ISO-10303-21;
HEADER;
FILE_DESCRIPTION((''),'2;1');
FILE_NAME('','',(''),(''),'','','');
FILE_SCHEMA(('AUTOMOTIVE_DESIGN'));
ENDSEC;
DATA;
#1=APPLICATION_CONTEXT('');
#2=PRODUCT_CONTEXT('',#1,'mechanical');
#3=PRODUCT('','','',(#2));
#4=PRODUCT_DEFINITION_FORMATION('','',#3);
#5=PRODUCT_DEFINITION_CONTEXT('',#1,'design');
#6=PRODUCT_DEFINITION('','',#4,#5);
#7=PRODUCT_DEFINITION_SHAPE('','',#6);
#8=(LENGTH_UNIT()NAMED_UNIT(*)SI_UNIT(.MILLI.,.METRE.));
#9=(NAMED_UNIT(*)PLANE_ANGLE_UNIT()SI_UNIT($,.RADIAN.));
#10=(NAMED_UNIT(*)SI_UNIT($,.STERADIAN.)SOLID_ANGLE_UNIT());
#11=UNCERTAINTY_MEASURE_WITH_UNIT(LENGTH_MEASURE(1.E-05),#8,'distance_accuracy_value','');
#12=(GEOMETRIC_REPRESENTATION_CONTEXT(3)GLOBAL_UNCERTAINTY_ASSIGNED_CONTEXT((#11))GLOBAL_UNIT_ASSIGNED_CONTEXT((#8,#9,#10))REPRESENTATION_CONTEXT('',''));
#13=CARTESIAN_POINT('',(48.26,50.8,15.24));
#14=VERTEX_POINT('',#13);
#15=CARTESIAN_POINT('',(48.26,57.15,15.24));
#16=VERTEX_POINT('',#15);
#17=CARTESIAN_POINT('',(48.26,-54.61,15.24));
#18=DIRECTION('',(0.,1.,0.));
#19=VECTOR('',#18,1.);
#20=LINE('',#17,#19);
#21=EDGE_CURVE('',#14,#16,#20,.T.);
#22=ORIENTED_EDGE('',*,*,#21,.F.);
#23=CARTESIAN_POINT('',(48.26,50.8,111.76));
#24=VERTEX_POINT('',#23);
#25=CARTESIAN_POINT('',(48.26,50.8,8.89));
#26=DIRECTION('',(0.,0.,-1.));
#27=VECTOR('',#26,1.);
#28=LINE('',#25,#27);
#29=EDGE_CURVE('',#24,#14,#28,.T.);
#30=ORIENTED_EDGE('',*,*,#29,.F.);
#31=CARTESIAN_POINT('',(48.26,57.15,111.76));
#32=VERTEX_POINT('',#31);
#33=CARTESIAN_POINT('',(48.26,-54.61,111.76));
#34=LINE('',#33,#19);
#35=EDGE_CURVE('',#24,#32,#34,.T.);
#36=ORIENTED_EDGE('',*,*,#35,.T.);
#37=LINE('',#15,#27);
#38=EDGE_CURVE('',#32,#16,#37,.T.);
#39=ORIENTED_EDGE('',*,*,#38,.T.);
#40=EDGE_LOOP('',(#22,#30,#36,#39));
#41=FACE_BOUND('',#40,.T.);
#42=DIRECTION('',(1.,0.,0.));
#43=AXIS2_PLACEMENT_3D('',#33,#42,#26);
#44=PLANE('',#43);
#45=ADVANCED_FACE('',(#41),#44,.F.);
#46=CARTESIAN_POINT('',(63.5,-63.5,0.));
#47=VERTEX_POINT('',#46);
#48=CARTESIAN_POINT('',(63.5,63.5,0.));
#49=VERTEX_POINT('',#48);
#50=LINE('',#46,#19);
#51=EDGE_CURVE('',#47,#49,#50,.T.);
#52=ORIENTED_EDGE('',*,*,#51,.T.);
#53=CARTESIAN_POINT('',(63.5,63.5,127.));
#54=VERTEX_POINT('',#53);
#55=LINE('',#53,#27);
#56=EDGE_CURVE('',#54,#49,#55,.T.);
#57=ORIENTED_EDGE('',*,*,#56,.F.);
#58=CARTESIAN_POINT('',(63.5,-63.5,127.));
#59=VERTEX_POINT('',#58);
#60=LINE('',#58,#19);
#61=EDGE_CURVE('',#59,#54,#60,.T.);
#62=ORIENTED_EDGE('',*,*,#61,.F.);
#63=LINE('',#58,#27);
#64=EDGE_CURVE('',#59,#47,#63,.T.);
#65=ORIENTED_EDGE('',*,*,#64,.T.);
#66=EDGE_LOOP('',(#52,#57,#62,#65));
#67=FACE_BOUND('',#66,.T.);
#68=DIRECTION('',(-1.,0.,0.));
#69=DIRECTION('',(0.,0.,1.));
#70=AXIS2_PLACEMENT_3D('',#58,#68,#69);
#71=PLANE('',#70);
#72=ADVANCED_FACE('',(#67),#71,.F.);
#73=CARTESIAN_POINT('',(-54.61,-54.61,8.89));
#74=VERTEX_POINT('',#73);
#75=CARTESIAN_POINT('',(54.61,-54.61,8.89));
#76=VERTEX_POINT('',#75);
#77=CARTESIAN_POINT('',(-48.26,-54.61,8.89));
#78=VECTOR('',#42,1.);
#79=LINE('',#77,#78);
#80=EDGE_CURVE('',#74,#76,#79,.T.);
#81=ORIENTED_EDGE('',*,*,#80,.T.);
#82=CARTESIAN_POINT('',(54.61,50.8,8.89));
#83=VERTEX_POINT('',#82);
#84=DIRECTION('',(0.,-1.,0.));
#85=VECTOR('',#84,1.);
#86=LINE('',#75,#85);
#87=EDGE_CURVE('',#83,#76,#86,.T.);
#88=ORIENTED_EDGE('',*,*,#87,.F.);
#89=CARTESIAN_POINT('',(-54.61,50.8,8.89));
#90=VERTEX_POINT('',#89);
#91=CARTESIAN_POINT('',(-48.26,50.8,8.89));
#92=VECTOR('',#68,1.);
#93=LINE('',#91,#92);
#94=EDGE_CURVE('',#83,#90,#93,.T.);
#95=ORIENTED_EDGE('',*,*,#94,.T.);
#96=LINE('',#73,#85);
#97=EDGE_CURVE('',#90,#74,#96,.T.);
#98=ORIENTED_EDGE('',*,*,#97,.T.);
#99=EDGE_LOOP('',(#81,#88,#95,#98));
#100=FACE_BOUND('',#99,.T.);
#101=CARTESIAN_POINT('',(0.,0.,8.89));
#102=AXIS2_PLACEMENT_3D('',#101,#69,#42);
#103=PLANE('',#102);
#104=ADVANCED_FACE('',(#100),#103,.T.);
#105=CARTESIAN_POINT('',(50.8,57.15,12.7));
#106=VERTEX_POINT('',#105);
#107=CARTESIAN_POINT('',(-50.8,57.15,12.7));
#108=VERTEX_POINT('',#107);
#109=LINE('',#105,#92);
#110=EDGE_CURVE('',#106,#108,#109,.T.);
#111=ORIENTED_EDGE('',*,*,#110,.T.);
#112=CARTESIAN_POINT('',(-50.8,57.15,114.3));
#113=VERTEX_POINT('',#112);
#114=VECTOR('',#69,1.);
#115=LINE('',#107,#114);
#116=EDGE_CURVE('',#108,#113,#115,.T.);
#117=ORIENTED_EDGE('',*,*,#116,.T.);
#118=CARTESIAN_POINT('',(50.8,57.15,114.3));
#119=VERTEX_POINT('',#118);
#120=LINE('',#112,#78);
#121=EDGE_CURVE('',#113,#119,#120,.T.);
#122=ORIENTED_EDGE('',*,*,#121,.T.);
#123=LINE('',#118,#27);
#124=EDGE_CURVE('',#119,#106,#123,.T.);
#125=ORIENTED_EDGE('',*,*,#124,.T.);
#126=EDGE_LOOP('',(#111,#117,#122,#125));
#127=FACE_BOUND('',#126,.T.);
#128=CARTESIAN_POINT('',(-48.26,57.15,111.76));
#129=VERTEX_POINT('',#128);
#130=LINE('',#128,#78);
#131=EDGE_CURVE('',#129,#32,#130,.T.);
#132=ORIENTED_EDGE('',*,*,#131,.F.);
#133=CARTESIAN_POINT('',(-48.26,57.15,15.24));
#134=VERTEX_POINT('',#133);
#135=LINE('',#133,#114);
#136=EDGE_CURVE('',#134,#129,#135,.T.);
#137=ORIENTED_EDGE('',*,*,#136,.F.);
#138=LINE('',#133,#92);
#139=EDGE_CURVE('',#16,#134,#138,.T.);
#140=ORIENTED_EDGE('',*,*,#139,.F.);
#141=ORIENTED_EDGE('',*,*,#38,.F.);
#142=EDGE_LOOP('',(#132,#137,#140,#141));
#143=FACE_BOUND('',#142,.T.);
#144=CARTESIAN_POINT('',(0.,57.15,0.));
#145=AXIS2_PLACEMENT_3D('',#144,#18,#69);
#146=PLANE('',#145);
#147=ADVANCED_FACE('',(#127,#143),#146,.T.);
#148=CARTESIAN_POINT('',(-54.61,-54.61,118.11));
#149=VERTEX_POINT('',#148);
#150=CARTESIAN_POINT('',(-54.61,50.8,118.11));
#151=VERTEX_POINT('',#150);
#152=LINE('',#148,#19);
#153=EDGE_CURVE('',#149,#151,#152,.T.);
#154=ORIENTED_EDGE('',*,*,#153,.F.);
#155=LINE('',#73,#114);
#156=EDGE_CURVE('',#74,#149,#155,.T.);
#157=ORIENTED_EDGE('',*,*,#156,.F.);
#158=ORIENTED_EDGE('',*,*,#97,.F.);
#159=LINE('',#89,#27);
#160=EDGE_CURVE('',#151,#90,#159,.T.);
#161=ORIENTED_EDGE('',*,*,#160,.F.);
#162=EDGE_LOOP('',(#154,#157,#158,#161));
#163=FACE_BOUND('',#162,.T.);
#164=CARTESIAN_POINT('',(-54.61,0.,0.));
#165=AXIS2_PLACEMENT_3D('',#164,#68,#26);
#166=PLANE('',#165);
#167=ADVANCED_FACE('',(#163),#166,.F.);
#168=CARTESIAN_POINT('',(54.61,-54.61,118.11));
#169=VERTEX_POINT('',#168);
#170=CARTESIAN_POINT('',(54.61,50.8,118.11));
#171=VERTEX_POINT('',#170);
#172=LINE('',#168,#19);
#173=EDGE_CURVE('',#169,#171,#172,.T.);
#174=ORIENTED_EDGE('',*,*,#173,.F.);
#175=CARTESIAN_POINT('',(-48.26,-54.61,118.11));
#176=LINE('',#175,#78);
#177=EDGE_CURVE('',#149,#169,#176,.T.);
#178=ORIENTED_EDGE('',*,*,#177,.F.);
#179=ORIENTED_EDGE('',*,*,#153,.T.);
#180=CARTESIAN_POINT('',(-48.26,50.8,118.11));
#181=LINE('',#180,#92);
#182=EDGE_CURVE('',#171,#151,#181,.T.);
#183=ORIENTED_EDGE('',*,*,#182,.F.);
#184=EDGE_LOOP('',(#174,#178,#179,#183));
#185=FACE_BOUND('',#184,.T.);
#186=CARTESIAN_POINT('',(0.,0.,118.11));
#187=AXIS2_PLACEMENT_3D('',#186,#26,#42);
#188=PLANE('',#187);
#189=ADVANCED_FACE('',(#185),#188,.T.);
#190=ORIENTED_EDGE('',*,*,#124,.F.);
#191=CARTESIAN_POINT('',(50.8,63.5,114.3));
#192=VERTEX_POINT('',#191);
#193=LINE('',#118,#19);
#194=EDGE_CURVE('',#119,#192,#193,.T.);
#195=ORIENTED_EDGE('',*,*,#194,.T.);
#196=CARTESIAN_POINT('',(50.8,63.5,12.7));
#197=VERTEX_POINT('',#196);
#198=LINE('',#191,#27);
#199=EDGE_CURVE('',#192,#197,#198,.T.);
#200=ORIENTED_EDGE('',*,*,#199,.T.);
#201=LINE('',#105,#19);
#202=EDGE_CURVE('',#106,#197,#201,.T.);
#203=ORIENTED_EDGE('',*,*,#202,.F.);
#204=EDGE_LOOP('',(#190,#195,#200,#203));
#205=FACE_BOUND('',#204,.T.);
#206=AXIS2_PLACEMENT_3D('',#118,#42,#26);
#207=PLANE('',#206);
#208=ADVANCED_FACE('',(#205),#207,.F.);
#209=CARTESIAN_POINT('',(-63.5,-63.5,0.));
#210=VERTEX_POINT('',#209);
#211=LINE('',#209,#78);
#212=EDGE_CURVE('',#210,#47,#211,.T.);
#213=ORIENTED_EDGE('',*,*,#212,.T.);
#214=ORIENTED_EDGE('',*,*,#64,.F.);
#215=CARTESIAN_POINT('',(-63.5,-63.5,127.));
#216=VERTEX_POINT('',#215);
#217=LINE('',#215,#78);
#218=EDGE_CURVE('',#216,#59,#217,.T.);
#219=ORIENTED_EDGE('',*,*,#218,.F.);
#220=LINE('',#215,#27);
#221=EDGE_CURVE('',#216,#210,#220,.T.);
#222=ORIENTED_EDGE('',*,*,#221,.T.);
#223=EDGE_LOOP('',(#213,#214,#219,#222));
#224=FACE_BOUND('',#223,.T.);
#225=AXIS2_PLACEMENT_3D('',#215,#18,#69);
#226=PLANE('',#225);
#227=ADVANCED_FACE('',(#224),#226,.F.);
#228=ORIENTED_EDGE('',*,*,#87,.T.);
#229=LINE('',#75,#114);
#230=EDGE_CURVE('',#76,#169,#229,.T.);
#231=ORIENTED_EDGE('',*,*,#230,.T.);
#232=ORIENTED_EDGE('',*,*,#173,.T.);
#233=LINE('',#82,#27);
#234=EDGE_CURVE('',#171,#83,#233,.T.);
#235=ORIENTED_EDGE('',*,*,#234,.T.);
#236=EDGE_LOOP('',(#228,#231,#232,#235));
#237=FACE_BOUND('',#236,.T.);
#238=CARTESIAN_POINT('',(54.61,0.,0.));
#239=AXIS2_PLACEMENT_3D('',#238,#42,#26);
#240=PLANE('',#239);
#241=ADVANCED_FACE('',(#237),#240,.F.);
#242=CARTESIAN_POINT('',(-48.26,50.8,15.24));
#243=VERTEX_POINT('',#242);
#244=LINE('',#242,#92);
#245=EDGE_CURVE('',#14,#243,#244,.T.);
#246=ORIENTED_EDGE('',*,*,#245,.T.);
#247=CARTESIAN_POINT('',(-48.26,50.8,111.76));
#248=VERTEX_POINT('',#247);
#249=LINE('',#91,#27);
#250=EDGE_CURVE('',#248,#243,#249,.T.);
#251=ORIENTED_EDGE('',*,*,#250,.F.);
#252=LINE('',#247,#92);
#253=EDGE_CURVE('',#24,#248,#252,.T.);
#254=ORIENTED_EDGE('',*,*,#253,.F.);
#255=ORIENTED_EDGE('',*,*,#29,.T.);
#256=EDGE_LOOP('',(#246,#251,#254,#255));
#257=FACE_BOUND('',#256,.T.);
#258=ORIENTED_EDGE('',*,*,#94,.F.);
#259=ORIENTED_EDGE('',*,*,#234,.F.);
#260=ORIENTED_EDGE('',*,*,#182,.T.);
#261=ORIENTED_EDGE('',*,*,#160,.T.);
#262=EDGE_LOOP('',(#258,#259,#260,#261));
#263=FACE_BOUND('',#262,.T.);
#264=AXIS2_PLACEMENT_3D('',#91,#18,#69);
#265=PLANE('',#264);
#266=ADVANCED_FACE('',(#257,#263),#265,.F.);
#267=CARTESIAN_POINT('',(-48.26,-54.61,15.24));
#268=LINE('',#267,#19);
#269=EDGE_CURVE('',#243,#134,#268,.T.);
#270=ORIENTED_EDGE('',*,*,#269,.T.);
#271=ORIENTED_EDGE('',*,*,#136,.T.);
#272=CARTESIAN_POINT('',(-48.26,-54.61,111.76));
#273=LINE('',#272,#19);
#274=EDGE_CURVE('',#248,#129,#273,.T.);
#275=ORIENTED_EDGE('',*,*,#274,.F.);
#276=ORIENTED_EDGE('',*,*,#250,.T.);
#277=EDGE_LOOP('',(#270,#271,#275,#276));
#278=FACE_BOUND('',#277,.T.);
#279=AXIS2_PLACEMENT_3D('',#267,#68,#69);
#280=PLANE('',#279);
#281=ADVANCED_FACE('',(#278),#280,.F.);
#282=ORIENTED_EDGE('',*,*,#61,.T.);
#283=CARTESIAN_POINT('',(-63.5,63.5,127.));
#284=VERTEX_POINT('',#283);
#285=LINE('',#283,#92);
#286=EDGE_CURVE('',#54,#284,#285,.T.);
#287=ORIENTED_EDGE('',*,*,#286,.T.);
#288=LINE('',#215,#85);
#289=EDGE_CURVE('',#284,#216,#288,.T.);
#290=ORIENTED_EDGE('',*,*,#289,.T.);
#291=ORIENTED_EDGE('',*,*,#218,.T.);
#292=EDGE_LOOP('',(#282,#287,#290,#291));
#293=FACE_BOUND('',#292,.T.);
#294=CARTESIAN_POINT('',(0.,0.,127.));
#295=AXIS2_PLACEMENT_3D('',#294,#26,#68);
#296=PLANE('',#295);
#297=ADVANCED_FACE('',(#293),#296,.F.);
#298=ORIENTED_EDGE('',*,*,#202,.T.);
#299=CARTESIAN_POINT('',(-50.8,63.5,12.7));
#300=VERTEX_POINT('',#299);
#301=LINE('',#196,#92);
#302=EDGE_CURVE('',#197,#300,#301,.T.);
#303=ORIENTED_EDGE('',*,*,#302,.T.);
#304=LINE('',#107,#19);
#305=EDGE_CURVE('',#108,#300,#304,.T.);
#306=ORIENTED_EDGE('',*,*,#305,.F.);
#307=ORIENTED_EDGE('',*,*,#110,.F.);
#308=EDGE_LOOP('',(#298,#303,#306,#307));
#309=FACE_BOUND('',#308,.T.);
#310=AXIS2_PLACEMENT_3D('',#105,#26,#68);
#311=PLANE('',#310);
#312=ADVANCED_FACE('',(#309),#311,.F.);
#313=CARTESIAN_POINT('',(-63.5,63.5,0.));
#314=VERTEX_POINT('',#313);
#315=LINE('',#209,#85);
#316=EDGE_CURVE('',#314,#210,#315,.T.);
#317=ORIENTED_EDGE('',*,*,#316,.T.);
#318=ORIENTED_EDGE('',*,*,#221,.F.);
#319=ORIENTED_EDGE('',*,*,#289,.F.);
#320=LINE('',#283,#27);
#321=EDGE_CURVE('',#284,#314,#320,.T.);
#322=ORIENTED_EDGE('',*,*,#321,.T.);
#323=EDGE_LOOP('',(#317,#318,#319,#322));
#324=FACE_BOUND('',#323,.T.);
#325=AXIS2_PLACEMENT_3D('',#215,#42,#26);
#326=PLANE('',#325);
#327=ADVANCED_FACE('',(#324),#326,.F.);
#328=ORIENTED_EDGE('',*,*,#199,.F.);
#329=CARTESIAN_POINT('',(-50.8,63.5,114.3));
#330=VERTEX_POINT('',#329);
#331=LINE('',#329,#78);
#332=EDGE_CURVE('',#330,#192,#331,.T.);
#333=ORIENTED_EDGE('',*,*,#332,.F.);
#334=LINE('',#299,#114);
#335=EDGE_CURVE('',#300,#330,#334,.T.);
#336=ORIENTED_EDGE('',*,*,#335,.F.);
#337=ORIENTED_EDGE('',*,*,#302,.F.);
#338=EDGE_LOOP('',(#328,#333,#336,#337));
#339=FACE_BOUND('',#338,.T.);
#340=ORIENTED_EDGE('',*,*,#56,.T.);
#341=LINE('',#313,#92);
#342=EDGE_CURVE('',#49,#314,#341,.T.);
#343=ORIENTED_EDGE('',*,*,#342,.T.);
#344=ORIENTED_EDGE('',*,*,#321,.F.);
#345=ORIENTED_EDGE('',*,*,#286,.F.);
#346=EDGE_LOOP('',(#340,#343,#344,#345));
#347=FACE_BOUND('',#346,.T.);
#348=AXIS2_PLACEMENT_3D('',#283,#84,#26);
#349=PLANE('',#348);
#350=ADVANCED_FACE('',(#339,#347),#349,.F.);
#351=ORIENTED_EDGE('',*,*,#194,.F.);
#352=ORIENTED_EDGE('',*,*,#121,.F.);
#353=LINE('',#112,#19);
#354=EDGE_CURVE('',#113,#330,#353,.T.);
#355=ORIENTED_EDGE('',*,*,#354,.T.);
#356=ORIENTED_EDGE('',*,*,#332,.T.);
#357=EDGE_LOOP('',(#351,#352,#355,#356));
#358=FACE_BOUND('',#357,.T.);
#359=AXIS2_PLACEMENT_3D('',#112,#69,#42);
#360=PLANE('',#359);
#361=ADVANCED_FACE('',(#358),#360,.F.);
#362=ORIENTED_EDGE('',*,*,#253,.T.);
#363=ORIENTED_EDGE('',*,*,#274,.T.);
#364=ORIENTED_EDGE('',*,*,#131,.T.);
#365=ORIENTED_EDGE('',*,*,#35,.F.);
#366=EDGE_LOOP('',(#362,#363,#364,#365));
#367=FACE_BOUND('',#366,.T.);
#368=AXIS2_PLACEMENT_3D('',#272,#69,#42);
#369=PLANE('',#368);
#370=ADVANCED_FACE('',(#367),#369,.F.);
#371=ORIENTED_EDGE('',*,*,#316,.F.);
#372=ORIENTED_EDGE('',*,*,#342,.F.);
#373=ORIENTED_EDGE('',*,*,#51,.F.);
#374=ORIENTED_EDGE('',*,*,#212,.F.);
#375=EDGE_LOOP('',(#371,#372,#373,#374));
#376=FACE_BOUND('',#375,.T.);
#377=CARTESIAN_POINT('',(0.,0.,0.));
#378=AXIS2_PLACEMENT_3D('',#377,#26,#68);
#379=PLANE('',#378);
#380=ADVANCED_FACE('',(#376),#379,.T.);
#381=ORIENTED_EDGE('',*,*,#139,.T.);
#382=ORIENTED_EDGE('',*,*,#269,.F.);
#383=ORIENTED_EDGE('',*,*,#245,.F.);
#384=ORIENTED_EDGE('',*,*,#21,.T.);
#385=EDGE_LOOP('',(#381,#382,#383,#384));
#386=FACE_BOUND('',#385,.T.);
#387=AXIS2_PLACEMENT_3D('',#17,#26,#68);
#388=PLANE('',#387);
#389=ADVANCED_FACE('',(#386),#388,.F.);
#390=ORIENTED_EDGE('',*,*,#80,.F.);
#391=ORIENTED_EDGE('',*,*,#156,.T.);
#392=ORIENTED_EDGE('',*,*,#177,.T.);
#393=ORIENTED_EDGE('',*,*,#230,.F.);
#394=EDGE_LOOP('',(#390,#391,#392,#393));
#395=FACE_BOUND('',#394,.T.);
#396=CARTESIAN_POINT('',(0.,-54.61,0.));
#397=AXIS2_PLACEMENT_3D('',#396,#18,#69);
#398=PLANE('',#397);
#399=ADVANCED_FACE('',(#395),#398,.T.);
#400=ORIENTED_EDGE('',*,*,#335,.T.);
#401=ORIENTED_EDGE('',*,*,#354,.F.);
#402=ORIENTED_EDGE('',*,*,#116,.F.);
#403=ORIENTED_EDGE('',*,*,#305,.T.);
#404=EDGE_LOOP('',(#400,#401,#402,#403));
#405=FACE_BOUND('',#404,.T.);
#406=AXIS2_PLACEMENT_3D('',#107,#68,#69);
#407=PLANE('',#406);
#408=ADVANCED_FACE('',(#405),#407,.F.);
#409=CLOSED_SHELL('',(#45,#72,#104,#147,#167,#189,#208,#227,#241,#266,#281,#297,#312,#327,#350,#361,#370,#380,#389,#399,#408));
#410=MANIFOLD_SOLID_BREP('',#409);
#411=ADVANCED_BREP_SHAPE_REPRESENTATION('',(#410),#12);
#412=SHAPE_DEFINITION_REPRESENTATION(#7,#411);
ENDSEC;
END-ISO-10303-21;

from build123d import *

# Parameters (mm, degrees)
SKETCH1_W           = 127
SKETCH1_H           = 127
BOSS_EXTRUDE1_DEPTH = 127
SKETCH2_W           = 96.52
SKETCH2_H           = 96.52
CUT_EXTRUDE1_DEPTH  = 118.11
SKETCH3_W           = 101.6
SKETCH3_H           = 101.6
SKETCH3_W_2         = 96.52
SKETCH3_H_2         = 96.52
CUT_EXTRUDE2_DEPTH  = 6.35
SKETCH5_W           = 96.52
SKETCH5_H           = 105.41
CUT_EXTRUDE3_DEPTH  = 6.35
SKETCH6_W           = 109.22
SKETCH6_H           = 105.41
CUT_EXTRUDE4_DEPTH  = 6.35


with BuildPart() as part:
    # Sketch1 → Boss-Extrude1 (new body)
    with BuildSketch(Plane.XY):
        Rectangle(SKETCH1_W, SKETCH1_H)
    extrude(amount=BOSS_EXTRUDE1_DEPTH)

    # Sketch2 → Cut-Extrude1 (cut)
    with BuildSketch(Plane(origin=(0, 63.5, 0), x_dir=(1, 0, 0), z_dir=(0, 1, 0))):
        with Locations((0, -63.5)):
            Rectangle(SKETCH2_W, SKETCH2_H)
    extrude(amount=-CUT_EXTRUDE1_DEPTH, mode=Mode.SUBTRACT)

    # Sketch3 → Cut-Extrude2 (cut)
    with BuildSketch(Plane(origin=(0, 63.5, 0), x_dir=(1, 0, 0), z_dir=(0, 1, 0))):
        with Locations((0, -63.5)):
            Rectangle(SKETCH3_W, SKETCH3_H)
        with Locations((0, -63.5)):
            Rectangle(SKETCH3_W_2, SKETCH3_H_2, mode=Mode.SUBTRACT)
    extrude(amount=-CUT_EXTRUDE2_DEPTH, mode=Mode.SUBTRACT)

    # Sketch5 → Cut-Extrude3 (cut)
    with BuildSketch(Plane.XY.offset(15.24)):
        with Locations((0, -1.905)):
            Rectangle(SKETCH5_W, SKETCH5_H)
    cut_extrude3 = extrude(amount=-CUT_EXTRUDE3_DEPTH, mode=Mode.SUBTRACT)

    # Mirror1: Cut-Extrude3 across plane
    add(cut_extrude3.mirror(Plane(origin=(0, 0, 63.5), x_dir=(1, 0, 0), z_dir=(0, 0, -1))), mode=Mode.SUBTRACT)

    # Sketch6 → Cut-Extrude4 (cut)
    with BuildSketch(Plane.ZY.offset(-48.26)):
        with Locations((63.5, -1.905)):
            Rectangle(SKETCH6_W, SKETCH6_H)
    cut_extrude4 = extrude(amount=-CUT_EXTRUDE4_DEPTH, mode=Mode.SUBTRACT)

    # Mirror2: Cut-Extrude4 across plane
    add(cut_extrude4.mirror(Plane(origin=(0, 0, 0), x_dir=(0, 0, 1), z_dir=(1, 0, 0))), mode=Mode.SUBTRACT)


solid = part.part
